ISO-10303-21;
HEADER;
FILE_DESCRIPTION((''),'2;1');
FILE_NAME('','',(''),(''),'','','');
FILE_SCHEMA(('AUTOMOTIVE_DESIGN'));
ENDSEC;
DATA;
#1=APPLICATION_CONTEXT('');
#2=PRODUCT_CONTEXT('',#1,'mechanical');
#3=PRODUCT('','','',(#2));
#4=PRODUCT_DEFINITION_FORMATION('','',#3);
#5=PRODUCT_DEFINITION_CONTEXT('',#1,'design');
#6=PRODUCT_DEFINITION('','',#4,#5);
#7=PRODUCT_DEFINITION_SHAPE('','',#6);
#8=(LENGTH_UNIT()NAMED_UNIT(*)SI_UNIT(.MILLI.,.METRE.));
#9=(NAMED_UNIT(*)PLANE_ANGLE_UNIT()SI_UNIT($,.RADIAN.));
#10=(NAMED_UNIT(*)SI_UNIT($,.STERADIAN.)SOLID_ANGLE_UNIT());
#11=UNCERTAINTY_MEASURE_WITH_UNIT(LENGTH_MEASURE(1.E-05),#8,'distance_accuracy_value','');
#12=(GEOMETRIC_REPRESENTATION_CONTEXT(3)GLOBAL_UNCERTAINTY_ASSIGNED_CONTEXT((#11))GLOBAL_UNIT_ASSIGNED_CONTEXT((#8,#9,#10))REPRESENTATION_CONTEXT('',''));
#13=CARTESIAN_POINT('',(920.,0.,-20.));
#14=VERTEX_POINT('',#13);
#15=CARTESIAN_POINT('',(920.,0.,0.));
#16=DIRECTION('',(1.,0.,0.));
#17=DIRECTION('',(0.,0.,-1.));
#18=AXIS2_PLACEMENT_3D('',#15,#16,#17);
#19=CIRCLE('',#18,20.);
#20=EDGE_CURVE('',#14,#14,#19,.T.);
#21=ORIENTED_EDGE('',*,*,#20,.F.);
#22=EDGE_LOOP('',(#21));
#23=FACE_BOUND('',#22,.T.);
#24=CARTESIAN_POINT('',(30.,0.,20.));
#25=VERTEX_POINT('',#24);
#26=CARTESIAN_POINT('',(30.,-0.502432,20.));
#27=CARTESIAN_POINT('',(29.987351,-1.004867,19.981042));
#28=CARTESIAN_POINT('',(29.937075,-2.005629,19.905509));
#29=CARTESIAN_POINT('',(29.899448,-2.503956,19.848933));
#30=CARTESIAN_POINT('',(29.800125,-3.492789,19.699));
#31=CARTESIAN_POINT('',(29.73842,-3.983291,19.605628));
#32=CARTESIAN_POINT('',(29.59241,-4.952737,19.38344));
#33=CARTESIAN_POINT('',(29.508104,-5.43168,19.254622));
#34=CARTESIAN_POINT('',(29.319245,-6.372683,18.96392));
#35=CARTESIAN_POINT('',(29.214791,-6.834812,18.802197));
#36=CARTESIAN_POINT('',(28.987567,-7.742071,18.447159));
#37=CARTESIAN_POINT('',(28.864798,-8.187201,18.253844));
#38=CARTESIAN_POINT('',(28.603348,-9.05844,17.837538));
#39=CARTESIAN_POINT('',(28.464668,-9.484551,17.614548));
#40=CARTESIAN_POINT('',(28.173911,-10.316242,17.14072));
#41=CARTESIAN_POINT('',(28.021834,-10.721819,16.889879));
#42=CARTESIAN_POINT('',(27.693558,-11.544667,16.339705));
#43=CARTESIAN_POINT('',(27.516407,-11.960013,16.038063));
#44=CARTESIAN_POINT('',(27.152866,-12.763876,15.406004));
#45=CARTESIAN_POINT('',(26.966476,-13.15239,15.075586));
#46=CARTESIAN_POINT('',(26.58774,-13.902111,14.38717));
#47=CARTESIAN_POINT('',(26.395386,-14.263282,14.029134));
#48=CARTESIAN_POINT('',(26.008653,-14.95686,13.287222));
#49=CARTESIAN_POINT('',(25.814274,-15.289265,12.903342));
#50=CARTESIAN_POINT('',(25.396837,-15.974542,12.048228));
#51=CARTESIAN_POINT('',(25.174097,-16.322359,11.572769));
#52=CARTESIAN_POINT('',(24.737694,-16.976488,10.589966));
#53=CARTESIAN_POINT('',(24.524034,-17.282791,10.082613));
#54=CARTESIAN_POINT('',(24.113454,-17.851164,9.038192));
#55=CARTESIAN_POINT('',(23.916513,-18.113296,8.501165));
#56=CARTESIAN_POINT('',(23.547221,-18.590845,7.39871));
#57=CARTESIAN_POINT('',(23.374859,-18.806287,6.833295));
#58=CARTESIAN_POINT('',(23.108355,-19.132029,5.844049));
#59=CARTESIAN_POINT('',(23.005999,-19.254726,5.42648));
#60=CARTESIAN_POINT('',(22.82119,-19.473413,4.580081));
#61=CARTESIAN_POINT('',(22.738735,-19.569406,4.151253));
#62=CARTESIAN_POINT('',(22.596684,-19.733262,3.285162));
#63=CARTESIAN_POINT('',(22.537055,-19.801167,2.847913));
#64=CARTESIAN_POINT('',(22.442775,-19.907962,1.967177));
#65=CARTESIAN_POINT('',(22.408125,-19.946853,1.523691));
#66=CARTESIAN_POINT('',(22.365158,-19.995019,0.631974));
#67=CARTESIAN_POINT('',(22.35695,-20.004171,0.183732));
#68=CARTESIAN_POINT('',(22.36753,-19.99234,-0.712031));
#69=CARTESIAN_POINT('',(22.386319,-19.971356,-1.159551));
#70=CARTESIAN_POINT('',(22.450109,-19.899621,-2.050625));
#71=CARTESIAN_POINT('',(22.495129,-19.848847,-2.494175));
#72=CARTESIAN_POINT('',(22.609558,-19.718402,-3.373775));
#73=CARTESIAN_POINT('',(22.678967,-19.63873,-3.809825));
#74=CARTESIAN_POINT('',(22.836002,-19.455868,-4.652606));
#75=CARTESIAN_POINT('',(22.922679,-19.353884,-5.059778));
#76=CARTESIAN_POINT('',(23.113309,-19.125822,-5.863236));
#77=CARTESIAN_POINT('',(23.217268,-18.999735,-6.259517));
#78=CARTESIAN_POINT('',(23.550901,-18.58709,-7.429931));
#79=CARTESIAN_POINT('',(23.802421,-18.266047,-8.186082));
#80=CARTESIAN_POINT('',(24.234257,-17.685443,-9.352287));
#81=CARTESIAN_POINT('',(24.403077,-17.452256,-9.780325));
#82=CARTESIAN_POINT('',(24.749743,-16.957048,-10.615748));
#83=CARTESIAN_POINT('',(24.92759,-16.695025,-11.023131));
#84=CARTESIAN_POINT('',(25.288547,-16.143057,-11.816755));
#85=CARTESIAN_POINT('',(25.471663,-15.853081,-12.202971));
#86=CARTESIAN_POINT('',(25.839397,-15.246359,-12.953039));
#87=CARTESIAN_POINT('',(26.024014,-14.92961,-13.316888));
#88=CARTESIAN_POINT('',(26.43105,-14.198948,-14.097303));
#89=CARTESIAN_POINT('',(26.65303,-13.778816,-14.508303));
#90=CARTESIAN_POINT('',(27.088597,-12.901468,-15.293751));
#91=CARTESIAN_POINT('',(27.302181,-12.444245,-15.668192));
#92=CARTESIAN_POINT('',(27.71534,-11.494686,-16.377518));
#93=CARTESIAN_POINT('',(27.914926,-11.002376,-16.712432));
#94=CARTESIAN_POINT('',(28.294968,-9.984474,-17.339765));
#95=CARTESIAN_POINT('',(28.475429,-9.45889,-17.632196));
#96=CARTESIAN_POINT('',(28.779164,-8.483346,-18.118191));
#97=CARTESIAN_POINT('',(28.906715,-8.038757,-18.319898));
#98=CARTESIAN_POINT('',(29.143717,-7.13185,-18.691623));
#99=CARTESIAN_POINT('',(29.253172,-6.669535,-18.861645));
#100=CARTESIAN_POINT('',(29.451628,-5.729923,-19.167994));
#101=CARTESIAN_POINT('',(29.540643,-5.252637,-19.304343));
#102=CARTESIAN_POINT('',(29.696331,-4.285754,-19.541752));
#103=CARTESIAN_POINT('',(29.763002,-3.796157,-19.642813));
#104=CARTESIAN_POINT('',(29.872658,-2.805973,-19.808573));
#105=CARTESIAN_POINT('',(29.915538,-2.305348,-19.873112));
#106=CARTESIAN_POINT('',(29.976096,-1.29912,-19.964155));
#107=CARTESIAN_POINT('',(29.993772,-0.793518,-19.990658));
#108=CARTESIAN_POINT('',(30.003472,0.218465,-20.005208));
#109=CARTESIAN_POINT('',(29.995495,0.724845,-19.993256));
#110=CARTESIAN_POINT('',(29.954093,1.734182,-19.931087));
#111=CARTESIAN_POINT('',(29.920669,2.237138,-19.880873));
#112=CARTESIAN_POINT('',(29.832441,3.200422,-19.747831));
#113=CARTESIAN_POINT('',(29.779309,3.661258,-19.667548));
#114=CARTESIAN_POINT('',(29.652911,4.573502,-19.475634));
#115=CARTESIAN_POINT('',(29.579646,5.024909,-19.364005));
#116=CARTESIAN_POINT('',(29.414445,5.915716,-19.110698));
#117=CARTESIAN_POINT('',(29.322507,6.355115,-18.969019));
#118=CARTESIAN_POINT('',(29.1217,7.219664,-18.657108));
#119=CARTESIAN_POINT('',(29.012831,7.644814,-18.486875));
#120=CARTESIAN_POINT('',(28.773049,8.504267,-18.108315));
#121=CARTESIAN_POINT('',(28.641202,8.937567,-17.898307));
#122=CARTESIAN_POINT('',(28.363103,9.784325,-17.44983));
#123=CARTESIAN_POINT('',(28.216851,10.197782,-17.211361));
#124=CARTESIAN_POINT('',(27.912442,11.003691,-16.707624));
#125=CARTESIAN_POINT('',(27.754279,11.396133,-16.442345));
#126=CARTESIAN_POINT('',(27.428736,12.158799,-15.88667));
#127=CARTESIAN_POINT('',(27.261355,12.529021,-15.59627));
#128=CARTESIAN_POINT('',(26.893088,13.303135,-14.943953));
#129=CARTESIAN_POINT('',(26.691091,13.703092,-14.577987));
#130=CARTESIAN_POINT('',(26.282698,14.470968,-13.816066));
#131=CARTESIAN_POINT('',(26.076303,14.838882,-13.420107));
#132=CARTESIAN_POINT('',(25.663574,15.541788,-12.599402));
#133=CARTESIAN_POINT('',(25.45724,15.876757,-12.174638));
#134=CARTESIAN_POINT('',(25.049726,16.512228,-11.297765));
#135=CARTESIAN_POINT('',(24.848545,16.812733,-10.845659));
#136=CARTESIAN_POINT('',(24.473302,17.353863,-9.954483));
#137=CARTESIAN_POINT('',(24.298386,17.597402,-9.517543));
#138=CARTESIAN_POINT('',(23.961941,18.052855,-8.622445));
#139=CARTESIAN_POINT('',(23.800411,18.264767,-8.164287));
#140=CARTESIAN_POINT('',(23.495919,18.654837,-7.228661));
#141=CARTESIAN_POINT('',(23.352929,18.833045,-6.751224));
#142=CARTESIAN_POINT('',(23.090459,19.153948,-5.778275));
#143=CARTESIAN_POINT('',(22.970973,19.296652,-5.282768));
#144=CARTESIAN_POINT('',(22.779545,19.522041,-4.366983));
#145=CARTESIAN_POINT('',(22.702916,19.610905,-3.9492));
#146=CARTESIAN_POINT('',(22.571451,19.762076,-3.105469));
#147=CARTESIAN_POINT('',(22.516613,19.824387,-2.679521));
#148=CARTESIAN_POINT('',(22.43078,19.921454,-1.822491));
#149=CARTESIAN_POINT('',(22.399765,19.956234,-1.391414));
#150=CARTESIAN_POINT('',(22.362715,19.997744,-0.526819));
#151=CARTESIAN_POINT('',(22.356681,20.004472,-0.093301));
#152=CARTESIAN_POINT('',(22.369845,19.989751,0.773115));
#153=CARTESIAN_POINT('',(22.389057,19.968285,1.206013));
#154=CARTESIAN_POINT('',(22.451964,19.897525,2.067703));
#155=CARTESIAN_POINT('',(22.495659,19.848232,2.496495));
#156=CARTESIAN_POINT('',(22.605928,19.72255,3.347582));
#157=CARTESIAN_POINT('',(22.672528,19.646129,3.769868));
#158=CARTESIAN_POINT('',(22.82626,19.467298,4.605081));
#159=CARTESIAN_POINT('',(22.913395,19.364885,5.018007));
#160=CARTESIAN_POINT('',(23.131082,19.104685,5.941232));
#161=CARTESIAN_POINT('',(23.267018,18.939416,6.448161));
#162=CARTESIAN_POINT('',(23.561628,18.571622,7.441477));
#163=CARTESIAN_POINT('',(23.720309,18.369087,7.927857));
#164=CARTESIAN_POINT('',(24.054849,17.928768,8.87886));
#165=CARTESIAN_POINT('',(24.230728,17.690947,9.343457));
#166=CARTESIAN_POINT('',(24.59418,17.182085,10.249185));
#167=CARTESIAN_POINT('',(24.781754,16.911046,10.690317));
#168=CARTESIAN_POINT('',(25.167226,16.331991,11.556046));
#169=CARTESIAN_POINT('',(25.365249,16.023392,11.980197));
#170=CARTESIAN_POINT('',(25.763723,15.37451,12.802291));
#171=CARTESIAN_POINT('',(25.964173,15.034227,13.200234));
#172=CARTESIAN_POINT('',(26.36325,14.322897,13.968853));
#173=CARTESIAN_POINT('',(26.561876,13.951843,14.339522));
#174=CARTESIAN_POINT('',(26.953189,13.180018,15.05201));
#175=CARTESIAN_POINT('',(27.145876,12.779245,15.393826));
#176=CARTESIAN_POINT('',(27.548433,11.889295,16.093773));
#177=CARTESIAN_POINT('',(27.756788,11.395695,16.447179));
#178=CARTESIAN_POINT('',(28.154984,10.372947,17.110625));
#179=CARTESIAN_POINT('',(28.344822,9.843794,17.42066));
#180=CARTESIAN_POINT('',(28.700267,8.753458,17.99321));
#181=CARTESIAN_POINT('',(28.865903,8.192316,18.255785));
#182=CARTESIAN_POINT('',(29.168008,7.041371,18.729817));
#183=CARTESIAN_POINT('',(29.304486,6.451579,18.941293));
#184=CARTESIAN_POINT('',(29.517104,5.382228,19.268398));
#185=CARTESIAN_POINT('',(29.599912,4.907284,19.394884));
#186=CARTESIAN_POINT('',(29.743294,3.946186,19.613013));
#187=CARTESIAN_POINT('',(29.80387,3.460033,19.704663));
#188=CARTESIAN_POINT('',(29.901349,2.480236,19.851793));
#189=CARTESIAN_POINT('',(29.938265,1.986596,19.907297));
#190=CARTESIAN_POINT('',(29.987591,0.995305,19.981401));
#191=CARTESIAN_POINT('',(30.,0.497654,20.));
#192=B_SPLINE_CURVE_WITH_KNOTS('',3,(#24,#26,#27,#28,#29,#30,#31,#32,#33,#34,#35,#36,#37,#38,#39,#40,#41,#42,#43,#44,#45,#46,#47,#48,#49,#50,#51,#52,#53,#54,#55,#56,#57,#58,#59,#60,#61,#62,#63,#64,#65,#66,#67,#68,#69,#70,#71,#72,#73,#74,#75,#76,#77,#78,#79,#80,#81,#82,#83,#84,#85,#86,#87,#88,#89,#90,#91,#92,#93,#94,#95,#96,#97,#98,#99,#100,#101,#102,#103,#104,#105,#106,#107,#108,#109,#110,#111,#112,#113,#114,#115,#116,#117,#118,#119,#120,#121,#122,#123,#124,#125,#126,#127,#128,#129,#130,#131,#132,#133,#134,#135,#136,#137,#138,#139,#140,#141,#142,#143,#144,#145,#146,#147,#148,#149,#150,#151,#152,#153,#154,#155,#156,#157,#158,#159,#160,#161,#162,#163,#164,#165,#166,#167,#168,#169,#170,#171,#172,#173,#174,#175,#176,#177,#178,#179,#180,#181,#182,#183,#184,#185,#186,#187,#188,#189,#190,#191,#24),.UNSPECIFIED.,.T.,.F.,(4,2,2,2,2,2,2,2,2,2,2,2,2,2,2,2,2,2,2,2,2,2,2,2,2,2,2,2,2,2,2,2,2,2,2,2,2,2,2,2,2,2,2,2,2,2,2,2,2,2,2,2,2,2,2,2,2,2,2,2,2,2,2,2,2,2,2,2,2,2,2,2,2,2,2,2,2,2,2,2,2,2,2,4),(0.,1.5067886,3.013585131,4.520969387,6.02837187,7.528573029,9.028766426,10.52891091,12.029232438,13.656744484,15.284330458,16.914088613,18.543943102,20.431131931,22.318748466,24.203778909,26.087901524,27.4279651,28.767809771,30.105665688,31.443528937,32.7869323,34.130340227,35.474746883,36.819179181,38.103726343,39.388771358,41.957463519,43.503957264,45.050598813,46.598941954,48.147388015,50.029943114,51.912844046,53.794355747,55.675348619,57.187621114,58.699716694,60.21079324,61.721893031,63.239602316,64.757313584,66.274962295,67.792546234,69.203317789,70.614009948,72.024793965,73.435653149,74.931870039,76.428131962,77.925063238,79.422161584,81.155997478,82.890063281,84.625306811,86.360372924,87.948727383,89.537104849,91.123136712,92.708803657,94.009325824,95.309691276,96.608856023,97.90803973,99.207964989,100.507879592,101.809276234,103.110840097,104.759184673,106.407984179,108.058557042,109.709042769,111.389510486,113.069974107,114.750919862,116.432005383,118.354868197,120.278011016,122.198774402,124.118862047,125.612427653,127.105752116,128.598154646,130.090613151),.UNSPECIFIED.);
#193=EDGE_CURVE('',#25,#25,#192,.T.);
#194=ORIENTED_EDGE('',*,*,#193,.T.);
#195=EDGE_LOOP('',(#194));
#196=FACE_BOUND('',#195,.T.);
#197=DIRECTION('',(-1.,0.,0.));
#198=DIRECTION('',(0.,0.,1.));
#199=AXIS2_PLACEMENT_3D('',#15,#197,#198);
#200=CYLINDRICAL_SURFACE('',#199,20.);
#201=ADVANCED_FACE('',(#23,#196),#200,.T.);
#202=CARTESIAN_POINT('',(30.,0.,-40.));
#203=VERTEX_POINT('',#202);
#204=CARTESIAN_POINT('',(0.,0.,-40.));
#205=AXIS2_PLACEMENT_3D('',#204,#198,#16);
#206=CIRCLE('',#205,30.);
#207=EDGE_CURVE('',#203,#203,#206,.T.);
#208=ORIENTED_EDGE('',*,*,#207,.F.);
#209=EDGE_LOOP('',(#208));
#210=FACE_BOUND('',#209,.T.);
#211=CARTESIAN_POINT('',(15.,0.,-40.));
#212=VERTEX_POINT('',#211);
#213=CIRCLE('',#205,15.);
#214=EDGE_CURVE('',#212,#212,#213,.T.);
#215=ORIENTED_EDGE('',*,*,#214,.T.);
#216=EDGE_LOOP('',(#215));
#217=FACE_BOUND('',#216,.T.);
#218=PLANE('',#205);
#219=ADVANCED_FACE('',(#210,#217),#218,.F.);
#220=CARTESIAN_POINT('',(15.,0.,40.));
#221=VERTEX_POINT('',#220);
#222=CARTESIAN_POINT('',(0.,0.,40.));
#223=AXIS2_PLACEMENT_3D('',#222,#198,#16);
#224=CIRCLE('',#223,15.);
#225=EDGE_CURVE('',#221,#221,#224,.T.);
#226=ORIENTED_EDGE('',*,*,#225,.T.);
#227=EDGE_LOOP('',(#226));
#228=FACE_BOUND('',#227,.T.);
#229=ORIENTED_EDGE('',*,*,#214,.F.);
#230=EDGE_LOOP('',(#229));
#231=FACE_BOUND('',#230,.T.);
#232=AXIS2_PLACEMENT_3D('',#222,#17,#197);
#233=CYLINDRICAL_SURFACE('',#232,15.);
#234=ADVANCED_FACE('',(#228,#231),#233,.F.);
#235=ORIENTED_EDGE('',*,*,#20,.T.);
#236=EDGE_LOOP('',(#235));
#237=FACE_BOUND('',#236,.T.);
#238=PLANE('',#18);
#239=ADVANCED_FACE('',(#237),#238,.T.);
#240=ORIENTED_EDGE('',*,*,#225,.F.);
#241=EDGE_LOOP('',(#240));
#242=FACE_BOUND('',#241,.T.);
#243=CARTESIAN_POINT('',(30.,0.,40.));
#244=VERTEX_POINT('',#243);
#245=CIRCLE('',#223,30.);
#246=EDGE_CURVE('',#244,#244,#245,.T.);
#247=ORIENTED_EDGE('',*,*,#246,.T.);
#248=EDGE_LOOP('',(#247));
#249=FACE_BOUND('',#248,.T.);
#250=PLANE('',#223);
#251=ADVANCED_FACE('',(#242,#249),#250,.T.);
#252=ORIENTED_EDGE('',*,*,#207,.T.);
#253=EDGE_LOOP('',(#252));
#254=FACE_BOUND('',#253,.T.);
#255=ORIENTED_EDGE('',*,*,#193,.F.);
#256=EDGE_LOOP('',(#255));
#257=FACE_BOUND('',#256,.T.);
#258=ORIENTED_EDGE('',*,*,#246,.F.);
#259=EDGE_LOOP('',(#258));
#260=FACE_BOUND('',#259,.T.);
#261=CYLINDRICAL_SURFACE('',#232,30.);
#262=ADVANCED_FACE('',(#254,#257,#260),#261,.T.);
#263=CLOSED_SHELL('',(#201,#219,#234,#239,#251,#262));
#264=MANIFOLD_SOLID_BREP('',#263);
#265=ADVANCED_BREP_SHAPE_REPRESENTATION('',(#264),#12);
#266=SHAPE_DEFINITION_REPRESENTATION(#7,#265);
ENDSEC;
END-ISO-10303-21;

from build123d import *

# Parameters (mm, degrees)
SKETCH1_R           = 30
SKETCH1_R_2         = 15
BOSS_EXTRUDE1_DEPTH = 40
SKETCH2_R           = 20
BOSS_EXTRUDE2_DEPTH = 900


with BuildPart() as part:
    # Sketch1 → Boss-Extrude1 (new body, symmetric)
    with BuildSketch(Plane.XY):
        Circle(SKETCH1_R)
        Circle(SKETCH1_R_2, mode=Mode.SUBTRACT)
    extrude(amount=BOSS_EXTRUDE1_DEPTH, both=True)

    # Sketch2 → Boss-Extrude2 (add)
    with BuildSketch(Plane(origin=(20, 0, 0), x_dir=(0, 0, -1), z_dir=(1, 0, 0))):
        Circle(SKETCH2_R)
    extrude(amount=BOSS_EXTRUDE2_DEPTH)


solid = part.part
